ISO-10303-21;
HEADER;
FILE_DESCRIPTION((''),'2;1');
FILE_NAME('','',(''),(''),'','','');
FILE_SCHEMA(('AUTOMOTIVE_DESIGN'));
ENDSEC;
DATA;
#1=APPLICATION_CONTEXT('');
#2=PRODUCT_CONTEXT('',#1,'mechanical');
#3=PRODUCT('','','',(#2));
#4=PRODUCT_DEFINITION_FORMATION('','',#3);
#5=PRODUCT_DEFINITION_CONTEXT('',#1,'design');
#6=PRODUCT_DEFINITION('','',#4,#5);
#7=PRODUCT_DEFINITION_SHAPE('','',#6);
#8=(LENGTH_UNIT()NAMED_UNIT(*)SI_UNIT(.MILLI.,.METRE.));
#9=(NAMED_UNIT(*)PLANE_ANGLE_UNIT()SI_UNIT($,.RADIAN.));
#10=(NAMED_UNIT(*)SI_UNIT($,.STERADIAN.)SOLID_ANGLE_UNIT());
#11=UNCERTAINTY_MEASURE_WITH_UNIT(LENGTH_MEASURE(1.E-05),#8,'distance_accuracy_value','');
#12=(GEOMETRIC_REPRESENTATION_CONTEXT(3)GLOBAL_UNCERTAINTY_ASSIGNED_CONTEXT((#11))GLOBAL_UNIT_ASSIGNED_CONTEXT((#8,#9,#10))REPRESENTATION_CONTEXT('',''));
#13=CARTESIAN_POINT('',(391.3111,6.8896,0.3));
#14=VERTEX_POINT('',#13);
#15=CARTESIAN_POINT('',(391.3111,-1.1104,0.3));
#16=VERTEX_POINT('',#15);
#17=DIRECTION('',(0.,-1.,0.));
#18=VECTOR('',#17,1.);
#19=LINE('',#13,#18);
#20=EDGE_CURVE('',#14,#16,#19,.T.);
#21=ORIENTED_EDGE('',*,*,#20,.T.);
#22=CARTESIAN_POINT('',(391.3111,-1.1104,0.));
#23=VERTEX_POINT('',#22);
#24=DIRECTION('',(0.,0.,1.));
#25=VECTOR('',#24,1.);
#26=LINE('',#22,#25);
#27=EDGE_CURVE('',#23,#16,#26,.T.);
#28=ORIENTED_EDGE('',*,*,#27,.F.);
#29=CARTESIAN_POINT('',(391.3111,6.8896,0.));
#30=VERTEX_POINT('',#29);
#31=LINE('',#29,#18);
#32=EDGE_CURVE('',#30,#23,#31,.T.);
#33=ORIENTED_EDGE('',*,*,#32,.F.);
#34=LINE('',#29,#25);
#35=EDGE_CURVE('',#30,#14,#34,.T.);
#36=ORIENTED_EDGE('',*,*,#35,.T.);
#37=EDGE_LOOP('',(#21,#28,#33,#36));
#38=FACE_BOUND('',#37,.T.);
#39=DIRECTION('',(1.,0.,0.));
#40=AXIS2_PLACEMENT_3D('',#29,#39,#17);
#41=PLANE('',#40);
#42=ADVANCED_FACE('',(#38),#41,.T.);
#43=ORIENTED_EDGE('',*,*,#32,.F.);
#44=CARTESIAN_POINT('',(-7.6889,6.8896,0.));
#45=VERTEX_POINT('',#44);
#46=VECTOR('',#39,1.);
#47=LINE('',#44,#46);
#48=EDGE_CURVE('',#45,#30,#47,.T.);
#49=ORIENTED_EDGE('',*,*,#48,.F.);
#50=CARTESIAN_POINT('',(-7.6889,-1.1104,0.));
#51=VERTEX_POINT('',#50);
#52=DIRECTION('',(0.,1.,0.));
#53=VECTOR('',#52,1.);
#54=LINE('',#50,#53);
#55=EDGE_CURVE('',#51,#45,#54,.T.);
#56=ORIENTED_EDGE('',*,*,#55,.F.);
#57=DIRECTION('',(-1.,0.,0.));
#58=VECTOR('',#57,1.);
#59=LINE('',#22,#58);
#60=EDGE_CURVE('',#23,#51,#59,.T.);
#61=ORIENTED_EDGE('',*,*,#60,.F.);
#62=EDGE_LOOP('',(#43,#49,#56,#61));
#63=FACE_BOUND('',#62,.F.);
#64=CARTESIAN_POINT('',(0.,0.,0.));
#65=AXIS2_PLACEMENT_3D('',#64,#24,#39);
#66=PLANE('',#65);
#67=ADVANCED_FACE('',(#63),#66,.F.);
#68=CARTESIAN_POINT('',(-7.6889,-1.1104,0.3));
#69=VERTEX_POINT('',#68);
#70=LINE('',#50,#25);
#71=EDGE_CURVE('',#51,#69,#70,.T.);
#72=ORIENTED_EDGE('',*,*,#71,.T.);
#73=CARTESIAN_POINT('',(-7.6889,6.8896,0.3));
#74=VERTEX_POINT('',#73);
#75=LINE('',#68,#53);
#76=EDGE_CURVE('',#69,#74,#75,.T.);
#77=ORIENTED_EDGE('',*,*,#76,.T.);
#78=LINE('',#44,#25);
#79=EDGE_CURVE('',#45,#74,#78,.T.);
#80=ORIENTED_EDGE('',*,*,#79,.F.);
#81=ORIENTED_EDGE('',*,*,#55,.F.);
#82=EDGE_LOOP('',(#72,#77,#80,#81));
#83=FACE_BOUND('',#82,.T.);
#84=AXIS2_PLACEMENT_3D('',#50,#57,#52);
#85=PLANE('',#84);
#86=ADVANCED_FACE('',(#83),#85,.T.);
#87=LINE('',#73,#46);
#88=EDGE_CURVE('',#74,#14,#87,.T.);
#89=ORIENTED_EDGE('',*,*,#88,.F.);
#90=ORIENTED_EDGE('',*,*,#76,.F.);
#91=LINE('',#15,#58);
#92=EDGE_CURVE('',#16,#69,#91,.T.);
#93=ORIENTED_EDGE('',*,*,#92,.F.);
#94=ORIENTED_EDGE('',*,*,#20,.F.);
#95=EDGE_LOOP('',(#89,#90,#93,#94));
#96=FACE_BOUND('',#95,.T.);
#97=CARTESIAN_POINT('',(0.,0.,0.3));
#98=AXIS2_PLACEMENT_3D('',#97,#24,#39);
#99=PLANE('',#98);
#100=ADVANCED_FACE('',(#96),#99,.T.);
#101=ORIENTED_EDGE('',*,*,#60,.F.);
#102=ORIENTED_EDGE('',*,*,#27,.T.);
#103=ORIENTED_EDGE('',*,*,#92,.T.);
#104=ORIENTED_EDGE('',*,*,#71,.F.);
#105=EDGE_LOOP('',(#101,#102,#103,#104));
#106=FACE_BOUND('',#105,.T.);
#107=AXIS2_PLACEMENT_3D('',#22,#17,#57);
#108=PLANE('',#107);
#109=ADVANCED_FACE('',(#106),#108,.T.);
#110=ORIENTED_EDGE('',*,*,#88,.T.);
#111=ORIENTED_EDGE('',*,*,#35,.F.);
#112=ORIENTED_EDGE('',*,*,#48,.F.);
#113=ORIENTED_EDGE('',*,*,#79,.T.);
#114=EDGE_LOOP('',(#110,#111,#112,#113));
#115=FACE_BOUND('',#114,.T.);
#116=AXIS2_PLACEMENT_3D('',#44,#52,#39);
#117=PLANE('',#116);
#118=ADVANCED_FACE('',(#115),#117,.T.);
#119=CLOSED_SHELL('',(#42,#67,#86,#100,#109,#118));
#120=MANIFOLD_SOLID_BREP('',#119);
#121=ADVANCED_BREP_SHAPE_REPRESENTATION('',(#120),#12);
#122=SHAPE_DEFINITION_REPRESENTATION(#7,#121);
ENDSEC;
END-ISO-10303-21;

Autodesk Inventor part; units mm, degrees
ref_plane "YZ Plane" through (0, 0, 0) normal (1, 0, 0) x (0, 1, 0)
ref_plane "XZ Plane" through (0, 0, 0) normal (0, 1, 0) x (-1, 0, 0)
ref_plane "XY Plane" through (0, 0, 0) normal (0, 0, 1) x (1, 0, 0)
sketch "Szkic1" plane through (0, 0, 0) normal (0, 0, 1) x (1, 0, 0)
  line L0 (-7.6889, 6.8896) -> (391.3111, 6.8896)
  line L1 (391.3111, 6.8896) -> (391.3111, -1.1104)
  line L2 (391.3111, -1.1104) -> (-7.6889, -1.1104)
  line L3 (-7.6889, -1.1104) -> (-7.6889, 6.8896)
  point P0 (0, 0)
  dimension "d0" = 399
  dimension "d1" = 8
extrude "Wyciągnięcie proste1" add sketch "Szkic1" along normal blind 0.3
properties part number "pasek ledów os x 410mm"
